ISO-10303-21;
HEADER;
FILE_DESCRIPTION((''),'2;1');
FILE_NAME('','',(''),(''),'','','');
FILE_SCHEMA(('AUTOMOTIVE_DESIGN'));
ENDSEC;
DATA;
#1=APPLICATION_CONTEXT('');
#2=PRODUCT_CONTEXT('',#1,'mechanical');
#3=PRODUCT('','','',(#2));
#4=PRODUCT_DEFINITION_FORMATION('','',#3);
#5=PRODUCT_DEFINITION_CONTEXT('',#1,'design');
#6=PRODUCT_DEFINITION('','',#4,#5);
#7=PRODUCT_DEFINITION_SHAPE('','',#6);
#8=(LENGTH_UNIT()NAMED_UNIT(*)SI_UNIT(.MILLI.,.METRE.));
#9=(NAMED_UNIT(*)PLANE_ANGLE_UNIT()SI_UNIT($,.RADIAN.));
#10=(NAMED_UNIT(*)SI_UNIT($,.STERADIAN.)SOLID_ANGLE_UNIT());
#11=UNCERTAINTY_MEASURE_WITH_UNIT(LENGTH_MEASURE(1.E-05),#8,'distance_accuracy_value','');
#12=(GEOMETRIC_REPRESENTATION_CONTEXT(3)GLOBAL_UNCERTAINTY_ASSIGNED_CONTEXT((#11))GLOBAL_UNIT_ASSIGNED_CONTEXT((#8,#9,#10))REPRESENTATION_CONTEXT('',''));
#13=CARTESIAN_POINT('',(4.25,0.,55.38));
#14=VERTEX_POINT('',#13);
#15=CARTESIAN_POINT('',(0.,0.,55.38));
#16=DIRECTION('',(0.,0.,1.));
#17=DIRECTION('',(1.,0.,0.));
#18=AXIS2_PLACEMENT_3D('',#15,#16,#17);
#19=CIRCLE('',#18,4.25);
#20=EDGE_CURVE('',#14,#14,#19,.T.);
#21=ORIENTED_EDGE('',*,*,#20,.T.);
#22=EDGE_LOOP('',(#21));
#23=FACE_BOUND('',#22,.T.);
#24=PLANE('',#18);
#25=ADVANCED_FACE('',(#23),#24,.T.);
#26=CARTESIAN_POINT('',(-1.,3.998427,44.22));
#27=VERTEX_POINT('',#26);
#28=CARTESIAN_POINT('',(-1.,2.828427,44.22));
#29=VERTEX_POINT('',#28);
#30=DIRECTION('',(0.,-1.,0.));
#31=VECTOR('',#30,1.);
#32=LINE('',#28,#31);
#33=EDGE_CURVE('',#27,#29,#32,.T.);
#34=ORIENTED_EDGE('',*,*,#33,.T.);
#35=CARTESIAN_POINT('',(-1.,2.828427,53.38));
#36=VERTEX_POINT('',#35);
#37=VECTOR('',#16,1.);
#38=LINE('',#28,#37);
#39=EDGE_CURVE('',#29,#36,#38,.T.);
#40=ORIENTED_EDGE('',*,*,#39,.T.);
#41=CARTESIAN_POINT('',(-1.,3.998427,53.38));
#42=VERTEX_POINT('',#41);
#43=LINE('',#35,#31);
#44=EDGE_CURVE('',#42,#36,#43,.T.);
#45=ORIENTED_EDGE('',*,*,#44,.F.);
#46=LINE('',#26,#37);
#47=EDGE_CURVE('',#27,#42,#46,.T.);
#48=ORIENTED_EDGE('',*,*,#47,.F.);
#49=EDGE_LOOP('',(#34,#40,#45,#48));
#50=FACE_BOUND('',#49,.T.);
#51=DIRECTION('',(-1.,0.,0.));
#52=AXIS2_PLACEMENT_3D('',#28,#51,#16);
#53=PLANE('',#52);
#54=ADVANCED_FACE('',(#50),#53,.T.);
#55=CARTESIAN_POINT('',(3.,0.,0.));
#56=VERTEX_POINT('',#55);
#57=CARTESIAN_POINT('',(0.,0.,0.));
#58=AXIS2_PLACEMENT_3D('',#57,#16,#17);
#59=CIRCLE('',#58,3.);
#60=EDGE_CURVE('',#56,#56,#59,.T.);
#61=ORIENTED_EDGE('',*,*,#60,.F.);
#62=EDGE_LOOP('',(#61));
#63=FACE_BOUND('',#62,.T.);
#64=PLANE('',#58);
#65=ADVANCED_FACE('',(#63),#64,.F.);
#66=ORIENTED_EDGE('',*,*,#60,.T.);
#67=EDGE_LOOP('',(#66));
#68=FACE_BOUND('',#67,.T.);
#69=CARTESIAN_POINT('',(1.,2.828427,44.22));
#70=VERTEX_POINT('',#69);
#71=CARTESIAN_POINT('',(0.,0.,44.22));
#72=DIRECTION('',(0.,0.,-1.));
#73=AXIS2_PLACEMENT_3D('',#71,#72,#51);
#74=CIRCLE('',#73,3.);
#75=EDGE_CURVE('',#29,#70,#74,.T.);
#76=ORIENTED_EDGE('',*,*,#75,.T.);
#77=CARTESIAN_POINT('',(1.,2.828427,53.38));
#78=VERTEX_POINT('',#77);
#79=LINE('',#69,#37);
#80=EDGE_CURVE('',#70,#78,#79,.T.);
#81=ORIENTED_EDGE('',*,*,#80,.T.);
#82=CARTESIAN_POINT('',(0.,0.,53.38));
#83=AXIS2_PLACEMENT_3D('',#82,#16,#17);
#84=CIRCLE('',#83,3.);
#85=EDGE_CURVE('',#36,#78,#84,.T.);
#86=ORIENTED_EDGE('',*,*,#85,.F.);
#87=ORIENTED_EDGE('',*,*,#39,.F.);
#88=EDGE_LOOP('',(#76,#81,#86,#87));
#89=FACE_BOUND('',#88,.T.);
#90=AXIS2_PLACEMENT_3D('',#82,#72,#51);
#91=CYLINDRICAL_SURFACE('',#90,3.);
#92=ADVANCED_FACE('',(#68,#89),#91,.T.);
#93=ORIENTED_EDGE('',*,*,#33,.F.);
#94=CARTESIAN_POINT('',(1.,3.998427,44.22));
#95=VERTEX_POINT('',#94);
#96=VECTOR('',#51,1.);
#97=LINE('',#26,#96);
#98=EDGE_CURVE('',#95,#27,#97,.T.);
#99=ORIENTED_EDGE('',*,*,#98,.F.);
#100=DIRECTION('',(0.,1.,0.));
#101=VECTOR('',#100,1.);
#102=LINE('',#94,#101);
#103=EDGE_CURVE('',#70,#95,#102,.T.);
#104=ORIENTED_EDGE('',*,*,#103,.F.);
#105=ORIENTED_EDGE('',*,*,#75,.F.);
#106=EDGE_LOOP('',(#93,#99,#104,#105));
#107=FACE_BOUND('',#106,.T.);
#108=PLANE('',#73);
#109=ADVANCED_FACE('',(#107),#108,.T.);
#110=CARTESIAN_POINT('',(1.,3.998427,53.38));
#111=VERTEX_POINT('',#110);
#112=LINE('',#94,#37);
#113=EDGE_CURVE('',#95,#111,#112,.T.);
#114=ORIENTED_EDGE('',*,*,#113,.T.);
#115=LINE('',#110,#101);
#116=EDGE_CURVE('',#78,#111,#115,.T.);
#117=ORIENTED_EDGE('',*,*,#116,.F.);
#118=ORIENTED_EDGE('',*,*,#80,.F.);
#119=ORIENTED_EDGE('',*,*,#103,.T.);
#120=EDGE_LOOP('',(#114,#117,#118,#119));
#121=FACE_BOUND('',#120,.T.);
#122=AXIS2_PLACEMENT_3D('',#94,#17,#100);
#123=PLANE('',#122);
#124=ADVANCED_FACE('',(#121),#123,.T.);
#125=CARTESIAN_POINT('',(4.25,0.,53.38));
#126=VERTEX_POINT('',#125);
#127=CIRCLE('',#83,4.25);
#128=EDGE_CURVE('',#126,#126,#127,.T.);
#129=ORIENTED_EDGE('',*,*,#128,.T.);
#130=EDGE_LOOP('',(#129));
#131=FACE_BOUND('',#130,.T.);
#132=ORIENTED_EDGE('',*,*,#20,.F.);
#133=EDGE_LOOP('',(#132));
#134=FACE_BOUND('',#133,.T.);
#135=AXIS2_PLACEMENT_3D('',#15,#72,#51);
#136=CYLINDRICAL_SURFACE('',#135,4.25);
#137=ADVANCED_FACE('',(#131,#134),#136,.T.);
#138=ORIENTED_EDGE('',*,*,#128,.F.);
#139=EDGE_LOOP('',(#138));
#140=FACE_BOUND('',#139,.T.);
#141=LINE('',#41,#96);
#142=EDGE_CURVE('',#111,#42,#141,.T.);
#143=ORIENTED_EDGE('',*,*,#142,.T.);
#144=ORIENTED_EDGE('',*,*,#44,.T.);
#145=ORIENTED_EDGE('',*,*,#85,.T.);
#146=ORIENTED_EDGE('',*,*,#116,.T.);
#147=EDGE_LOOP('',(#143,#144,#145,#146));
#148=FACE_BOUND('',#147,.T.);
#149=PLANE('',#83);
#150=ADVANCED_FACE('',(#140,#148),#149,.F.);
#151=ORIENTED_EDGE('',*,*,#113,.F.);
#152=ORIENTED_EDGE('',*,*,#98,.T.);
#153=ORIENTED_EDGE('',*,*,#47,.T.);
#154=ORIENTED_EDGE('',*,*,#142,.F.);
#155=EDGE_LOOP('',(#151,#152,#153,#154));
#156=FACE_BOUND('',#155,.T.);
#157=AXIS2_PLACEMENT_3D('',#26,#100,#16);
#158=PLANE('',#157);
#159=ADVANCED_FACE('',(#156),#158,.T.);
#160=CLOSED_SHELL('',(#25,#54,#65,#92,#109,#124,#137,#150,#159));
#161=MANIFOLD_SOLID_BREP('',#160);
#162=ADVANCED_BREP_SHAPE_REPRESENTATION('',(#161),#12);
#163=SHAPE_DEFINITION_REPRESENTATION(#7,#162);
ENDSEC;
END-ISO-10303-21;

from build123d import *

# Parameters (mm, degrees)
SKETCH1_R           = 3
BOSS_EXTRUDE1_DEPTH = 53.38
SKETCH2_W           = 2
SKETCH2_H           = 1.17
BOSS_EXTRUDE2_DEPTH = 9.16
SKETCH3_R           = 4.25
BOSS_EXTRUDE3_DEPTH = 2


with BuildPart() as part:
    # Sketch1 → Boss-Extrude1 (new body)
    with BuildSketch(Plane.XY):
        Circle(SKETCH1_R)
    extrude(amount=BOSS_EXTRUDE1_DEPTH)

    # Sketch2 → Boss-Extrude2 (add)
    with BuildSketch(Plane.XY.offset(53.38)):
        with Locations((0, 3.413427125)):
            Rectangle(SKETCH2_W, SKETCH2_H)
    extrude(amount=-BOSS_EXTRUDE2_DEPTH)

    # Sketch3 → Boss-Extrude3 (add)
    with BuildSketch(Plane.XY.offset(53.38)):
        Circle(SKETCH3_R)
    extrude(amount=BOSS_EXTRUDE3_DEPTH)


solid = part.part
